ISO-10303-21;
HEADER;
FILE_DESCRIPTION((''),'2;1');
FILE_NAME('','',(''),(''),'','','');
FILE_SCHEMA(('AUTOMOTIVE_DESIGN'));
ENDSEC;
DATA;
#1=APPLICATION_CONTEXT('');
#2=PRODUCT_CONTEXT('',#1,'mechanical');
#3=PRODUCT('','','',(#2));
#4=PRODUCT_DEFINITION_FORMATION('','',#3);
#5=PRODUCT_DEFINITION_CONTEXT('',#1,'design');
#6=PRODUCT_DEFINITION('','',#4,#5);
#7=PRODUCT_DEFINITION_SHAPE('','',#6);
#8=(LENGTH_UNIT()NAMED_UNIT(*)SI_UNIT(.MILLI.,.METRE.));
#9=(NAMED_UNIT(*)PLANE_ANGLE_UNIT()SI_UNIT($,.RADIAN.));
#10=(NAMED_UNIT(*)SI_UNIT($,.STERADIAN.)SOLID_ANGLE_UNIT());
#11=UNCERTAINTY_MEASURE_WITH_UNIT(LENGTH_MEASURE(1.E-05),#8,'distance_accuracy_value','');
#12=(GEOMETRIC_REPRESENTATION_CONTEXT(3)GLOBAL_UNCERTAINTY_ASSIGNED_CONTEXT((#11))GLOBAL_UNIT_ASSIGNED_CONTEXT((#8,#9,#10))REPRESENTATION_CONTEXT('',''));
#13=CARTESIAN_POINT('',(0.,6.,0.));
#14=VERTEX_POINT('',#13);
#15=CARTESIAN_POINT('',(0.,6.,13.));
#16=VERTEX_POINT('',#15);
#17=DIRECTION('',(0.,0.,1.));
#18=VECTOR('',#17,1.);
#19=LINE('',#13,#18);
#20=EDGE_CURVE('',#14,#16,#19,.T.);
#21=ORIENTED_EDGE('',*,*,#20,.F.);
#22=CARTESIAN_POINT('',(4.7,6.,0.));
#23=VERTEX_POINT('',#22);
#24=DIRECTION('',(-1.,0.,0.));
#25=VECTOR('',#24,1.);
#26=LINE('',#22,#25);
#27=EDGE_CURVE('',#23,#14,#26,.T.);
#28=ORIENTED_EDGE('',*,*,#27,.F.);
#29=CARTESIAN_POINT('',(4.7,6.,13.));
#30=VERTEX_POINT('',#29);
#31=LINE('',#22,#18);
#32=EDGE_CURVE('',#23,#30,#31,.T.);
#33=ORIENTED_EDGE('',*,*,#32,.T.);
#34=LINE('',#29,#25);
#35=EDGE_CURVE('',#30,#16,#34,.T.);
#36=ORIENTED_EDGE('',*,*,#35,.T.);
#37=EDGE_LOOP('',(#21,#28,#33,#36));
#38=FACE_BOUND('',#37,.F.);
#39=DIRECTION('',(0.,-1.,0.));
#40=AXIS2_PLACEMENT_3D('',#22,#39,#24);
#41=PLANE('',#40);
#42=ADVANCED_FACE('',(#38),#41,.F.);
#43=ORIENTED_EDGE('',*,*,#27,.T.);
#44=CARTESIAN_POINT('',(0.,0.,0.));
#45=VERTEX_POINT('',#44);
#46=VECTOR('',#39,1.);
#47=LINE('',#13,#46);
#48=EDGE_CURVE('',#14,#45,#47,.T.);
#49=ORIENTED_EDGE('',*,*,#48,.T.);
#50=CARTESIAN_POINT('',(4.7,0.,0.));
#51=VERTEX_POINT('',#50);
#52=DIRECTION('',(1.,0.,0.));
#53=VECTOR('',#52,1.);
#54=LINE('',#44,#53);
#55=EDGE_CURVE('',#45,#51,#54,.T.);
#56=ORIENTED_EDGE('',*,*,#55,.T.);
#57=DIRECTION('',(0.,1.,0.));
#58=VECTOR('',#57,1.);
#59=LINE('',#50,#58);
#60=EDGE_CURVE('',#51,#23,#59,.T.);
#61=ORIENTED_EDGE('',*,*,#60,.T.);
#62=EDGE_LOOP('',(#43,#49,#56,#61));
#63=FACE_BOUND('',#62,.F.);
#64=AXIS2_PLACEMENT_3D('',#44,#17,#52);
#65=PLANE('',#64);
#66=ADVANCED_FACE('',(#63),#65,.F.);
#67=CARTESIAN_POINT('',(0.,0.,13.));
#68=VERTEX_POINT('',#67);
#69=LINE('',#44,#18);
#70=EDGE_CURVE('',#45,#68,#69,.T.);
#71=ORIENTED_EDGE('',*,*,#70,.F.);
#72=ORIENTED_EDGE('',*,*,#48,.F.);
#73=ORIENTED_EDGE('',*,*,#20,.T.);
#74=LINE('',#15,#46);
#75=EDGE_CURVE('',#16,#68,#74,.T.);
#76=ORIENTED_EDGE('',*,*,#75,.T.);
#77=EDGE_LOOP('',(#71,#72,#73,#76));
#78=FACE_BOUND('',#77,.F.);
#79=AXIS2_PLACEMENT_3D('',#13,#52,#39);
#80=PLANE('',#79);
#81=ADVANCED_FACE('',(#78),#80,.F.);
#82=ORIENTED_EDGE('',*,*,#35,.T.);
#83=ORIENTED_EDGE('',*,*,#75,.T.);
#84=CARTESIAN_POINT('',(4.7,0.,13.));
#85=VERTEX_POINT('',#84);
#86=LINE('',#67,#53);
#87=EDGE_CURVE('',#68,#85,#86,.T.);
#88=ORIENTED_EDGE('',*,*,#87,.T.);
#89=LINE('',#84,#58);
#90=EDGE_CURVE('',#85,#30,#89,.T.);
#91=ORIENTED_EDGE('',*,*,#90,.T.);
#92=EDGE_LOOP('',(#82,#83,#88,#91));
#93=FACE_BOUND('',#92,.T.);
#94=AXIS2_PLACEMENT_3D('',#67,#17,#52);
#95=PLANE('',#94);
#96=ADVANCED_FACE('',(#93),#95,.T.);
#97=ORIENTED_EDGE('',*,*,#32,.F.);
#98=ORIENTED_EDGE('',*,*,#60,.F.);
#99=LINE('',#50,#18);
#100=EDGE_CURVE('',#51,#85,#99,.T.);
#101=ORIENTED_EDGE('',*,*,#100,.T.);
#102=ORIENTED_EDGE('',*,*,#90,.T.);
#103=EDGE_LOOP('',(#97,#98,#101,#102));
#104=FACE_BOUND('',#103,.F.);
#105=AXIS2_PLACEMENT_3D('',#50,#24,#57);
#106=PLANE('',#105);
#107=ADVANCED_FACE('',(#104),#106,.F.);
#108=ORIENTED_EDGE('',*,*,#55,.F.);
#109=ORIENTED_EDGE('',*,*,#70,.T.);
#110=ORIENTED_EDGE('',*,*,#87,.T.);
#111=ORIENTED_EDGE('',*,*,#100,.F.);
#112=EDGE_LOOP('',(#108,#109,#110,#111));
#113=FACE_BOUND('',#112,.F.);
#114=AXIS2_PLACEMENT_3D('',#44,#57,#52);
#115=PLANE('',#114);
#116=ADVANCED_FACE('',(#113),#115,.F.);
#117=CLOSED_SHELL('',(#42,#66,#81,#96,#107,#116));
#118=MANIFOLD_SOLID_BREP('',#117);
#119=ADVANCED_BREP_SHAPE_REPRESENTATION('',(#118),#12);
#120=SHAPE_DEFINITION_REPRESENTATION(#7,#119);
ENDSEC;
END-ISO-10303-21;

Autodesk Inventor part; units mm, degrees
ref_plane "YZ Plane" through (0, 0, 0) normal (1, 0, 0) x (0, 1, 0)
ref_plane "XZ Plane" through (0, 0, 0) normal (0, 1, 0) x (-1, 0, 0)
ref_plane "XY Plane" through (0, 0, 0) normal (0, 0, 1) x (1, 0, 0)
sketch "스케치1" plane through (0, 0, 0) normal (0, 0, 1) x (1, 0, 0)
  line L0 (0, 0) -> (4.7, 0)
  line L1 (4.7, 0) -> (4.7, 6)
  line L2 (4.7, 6) -> (0, 6)
  line L3 (0, 6) -> (0, 0)
  dimension "d0" = 4.7
  dimension "d1" = 6
extrude "돌출1" add sketch "스케치1" along normal blind 13
properties part number "LickSensor"
